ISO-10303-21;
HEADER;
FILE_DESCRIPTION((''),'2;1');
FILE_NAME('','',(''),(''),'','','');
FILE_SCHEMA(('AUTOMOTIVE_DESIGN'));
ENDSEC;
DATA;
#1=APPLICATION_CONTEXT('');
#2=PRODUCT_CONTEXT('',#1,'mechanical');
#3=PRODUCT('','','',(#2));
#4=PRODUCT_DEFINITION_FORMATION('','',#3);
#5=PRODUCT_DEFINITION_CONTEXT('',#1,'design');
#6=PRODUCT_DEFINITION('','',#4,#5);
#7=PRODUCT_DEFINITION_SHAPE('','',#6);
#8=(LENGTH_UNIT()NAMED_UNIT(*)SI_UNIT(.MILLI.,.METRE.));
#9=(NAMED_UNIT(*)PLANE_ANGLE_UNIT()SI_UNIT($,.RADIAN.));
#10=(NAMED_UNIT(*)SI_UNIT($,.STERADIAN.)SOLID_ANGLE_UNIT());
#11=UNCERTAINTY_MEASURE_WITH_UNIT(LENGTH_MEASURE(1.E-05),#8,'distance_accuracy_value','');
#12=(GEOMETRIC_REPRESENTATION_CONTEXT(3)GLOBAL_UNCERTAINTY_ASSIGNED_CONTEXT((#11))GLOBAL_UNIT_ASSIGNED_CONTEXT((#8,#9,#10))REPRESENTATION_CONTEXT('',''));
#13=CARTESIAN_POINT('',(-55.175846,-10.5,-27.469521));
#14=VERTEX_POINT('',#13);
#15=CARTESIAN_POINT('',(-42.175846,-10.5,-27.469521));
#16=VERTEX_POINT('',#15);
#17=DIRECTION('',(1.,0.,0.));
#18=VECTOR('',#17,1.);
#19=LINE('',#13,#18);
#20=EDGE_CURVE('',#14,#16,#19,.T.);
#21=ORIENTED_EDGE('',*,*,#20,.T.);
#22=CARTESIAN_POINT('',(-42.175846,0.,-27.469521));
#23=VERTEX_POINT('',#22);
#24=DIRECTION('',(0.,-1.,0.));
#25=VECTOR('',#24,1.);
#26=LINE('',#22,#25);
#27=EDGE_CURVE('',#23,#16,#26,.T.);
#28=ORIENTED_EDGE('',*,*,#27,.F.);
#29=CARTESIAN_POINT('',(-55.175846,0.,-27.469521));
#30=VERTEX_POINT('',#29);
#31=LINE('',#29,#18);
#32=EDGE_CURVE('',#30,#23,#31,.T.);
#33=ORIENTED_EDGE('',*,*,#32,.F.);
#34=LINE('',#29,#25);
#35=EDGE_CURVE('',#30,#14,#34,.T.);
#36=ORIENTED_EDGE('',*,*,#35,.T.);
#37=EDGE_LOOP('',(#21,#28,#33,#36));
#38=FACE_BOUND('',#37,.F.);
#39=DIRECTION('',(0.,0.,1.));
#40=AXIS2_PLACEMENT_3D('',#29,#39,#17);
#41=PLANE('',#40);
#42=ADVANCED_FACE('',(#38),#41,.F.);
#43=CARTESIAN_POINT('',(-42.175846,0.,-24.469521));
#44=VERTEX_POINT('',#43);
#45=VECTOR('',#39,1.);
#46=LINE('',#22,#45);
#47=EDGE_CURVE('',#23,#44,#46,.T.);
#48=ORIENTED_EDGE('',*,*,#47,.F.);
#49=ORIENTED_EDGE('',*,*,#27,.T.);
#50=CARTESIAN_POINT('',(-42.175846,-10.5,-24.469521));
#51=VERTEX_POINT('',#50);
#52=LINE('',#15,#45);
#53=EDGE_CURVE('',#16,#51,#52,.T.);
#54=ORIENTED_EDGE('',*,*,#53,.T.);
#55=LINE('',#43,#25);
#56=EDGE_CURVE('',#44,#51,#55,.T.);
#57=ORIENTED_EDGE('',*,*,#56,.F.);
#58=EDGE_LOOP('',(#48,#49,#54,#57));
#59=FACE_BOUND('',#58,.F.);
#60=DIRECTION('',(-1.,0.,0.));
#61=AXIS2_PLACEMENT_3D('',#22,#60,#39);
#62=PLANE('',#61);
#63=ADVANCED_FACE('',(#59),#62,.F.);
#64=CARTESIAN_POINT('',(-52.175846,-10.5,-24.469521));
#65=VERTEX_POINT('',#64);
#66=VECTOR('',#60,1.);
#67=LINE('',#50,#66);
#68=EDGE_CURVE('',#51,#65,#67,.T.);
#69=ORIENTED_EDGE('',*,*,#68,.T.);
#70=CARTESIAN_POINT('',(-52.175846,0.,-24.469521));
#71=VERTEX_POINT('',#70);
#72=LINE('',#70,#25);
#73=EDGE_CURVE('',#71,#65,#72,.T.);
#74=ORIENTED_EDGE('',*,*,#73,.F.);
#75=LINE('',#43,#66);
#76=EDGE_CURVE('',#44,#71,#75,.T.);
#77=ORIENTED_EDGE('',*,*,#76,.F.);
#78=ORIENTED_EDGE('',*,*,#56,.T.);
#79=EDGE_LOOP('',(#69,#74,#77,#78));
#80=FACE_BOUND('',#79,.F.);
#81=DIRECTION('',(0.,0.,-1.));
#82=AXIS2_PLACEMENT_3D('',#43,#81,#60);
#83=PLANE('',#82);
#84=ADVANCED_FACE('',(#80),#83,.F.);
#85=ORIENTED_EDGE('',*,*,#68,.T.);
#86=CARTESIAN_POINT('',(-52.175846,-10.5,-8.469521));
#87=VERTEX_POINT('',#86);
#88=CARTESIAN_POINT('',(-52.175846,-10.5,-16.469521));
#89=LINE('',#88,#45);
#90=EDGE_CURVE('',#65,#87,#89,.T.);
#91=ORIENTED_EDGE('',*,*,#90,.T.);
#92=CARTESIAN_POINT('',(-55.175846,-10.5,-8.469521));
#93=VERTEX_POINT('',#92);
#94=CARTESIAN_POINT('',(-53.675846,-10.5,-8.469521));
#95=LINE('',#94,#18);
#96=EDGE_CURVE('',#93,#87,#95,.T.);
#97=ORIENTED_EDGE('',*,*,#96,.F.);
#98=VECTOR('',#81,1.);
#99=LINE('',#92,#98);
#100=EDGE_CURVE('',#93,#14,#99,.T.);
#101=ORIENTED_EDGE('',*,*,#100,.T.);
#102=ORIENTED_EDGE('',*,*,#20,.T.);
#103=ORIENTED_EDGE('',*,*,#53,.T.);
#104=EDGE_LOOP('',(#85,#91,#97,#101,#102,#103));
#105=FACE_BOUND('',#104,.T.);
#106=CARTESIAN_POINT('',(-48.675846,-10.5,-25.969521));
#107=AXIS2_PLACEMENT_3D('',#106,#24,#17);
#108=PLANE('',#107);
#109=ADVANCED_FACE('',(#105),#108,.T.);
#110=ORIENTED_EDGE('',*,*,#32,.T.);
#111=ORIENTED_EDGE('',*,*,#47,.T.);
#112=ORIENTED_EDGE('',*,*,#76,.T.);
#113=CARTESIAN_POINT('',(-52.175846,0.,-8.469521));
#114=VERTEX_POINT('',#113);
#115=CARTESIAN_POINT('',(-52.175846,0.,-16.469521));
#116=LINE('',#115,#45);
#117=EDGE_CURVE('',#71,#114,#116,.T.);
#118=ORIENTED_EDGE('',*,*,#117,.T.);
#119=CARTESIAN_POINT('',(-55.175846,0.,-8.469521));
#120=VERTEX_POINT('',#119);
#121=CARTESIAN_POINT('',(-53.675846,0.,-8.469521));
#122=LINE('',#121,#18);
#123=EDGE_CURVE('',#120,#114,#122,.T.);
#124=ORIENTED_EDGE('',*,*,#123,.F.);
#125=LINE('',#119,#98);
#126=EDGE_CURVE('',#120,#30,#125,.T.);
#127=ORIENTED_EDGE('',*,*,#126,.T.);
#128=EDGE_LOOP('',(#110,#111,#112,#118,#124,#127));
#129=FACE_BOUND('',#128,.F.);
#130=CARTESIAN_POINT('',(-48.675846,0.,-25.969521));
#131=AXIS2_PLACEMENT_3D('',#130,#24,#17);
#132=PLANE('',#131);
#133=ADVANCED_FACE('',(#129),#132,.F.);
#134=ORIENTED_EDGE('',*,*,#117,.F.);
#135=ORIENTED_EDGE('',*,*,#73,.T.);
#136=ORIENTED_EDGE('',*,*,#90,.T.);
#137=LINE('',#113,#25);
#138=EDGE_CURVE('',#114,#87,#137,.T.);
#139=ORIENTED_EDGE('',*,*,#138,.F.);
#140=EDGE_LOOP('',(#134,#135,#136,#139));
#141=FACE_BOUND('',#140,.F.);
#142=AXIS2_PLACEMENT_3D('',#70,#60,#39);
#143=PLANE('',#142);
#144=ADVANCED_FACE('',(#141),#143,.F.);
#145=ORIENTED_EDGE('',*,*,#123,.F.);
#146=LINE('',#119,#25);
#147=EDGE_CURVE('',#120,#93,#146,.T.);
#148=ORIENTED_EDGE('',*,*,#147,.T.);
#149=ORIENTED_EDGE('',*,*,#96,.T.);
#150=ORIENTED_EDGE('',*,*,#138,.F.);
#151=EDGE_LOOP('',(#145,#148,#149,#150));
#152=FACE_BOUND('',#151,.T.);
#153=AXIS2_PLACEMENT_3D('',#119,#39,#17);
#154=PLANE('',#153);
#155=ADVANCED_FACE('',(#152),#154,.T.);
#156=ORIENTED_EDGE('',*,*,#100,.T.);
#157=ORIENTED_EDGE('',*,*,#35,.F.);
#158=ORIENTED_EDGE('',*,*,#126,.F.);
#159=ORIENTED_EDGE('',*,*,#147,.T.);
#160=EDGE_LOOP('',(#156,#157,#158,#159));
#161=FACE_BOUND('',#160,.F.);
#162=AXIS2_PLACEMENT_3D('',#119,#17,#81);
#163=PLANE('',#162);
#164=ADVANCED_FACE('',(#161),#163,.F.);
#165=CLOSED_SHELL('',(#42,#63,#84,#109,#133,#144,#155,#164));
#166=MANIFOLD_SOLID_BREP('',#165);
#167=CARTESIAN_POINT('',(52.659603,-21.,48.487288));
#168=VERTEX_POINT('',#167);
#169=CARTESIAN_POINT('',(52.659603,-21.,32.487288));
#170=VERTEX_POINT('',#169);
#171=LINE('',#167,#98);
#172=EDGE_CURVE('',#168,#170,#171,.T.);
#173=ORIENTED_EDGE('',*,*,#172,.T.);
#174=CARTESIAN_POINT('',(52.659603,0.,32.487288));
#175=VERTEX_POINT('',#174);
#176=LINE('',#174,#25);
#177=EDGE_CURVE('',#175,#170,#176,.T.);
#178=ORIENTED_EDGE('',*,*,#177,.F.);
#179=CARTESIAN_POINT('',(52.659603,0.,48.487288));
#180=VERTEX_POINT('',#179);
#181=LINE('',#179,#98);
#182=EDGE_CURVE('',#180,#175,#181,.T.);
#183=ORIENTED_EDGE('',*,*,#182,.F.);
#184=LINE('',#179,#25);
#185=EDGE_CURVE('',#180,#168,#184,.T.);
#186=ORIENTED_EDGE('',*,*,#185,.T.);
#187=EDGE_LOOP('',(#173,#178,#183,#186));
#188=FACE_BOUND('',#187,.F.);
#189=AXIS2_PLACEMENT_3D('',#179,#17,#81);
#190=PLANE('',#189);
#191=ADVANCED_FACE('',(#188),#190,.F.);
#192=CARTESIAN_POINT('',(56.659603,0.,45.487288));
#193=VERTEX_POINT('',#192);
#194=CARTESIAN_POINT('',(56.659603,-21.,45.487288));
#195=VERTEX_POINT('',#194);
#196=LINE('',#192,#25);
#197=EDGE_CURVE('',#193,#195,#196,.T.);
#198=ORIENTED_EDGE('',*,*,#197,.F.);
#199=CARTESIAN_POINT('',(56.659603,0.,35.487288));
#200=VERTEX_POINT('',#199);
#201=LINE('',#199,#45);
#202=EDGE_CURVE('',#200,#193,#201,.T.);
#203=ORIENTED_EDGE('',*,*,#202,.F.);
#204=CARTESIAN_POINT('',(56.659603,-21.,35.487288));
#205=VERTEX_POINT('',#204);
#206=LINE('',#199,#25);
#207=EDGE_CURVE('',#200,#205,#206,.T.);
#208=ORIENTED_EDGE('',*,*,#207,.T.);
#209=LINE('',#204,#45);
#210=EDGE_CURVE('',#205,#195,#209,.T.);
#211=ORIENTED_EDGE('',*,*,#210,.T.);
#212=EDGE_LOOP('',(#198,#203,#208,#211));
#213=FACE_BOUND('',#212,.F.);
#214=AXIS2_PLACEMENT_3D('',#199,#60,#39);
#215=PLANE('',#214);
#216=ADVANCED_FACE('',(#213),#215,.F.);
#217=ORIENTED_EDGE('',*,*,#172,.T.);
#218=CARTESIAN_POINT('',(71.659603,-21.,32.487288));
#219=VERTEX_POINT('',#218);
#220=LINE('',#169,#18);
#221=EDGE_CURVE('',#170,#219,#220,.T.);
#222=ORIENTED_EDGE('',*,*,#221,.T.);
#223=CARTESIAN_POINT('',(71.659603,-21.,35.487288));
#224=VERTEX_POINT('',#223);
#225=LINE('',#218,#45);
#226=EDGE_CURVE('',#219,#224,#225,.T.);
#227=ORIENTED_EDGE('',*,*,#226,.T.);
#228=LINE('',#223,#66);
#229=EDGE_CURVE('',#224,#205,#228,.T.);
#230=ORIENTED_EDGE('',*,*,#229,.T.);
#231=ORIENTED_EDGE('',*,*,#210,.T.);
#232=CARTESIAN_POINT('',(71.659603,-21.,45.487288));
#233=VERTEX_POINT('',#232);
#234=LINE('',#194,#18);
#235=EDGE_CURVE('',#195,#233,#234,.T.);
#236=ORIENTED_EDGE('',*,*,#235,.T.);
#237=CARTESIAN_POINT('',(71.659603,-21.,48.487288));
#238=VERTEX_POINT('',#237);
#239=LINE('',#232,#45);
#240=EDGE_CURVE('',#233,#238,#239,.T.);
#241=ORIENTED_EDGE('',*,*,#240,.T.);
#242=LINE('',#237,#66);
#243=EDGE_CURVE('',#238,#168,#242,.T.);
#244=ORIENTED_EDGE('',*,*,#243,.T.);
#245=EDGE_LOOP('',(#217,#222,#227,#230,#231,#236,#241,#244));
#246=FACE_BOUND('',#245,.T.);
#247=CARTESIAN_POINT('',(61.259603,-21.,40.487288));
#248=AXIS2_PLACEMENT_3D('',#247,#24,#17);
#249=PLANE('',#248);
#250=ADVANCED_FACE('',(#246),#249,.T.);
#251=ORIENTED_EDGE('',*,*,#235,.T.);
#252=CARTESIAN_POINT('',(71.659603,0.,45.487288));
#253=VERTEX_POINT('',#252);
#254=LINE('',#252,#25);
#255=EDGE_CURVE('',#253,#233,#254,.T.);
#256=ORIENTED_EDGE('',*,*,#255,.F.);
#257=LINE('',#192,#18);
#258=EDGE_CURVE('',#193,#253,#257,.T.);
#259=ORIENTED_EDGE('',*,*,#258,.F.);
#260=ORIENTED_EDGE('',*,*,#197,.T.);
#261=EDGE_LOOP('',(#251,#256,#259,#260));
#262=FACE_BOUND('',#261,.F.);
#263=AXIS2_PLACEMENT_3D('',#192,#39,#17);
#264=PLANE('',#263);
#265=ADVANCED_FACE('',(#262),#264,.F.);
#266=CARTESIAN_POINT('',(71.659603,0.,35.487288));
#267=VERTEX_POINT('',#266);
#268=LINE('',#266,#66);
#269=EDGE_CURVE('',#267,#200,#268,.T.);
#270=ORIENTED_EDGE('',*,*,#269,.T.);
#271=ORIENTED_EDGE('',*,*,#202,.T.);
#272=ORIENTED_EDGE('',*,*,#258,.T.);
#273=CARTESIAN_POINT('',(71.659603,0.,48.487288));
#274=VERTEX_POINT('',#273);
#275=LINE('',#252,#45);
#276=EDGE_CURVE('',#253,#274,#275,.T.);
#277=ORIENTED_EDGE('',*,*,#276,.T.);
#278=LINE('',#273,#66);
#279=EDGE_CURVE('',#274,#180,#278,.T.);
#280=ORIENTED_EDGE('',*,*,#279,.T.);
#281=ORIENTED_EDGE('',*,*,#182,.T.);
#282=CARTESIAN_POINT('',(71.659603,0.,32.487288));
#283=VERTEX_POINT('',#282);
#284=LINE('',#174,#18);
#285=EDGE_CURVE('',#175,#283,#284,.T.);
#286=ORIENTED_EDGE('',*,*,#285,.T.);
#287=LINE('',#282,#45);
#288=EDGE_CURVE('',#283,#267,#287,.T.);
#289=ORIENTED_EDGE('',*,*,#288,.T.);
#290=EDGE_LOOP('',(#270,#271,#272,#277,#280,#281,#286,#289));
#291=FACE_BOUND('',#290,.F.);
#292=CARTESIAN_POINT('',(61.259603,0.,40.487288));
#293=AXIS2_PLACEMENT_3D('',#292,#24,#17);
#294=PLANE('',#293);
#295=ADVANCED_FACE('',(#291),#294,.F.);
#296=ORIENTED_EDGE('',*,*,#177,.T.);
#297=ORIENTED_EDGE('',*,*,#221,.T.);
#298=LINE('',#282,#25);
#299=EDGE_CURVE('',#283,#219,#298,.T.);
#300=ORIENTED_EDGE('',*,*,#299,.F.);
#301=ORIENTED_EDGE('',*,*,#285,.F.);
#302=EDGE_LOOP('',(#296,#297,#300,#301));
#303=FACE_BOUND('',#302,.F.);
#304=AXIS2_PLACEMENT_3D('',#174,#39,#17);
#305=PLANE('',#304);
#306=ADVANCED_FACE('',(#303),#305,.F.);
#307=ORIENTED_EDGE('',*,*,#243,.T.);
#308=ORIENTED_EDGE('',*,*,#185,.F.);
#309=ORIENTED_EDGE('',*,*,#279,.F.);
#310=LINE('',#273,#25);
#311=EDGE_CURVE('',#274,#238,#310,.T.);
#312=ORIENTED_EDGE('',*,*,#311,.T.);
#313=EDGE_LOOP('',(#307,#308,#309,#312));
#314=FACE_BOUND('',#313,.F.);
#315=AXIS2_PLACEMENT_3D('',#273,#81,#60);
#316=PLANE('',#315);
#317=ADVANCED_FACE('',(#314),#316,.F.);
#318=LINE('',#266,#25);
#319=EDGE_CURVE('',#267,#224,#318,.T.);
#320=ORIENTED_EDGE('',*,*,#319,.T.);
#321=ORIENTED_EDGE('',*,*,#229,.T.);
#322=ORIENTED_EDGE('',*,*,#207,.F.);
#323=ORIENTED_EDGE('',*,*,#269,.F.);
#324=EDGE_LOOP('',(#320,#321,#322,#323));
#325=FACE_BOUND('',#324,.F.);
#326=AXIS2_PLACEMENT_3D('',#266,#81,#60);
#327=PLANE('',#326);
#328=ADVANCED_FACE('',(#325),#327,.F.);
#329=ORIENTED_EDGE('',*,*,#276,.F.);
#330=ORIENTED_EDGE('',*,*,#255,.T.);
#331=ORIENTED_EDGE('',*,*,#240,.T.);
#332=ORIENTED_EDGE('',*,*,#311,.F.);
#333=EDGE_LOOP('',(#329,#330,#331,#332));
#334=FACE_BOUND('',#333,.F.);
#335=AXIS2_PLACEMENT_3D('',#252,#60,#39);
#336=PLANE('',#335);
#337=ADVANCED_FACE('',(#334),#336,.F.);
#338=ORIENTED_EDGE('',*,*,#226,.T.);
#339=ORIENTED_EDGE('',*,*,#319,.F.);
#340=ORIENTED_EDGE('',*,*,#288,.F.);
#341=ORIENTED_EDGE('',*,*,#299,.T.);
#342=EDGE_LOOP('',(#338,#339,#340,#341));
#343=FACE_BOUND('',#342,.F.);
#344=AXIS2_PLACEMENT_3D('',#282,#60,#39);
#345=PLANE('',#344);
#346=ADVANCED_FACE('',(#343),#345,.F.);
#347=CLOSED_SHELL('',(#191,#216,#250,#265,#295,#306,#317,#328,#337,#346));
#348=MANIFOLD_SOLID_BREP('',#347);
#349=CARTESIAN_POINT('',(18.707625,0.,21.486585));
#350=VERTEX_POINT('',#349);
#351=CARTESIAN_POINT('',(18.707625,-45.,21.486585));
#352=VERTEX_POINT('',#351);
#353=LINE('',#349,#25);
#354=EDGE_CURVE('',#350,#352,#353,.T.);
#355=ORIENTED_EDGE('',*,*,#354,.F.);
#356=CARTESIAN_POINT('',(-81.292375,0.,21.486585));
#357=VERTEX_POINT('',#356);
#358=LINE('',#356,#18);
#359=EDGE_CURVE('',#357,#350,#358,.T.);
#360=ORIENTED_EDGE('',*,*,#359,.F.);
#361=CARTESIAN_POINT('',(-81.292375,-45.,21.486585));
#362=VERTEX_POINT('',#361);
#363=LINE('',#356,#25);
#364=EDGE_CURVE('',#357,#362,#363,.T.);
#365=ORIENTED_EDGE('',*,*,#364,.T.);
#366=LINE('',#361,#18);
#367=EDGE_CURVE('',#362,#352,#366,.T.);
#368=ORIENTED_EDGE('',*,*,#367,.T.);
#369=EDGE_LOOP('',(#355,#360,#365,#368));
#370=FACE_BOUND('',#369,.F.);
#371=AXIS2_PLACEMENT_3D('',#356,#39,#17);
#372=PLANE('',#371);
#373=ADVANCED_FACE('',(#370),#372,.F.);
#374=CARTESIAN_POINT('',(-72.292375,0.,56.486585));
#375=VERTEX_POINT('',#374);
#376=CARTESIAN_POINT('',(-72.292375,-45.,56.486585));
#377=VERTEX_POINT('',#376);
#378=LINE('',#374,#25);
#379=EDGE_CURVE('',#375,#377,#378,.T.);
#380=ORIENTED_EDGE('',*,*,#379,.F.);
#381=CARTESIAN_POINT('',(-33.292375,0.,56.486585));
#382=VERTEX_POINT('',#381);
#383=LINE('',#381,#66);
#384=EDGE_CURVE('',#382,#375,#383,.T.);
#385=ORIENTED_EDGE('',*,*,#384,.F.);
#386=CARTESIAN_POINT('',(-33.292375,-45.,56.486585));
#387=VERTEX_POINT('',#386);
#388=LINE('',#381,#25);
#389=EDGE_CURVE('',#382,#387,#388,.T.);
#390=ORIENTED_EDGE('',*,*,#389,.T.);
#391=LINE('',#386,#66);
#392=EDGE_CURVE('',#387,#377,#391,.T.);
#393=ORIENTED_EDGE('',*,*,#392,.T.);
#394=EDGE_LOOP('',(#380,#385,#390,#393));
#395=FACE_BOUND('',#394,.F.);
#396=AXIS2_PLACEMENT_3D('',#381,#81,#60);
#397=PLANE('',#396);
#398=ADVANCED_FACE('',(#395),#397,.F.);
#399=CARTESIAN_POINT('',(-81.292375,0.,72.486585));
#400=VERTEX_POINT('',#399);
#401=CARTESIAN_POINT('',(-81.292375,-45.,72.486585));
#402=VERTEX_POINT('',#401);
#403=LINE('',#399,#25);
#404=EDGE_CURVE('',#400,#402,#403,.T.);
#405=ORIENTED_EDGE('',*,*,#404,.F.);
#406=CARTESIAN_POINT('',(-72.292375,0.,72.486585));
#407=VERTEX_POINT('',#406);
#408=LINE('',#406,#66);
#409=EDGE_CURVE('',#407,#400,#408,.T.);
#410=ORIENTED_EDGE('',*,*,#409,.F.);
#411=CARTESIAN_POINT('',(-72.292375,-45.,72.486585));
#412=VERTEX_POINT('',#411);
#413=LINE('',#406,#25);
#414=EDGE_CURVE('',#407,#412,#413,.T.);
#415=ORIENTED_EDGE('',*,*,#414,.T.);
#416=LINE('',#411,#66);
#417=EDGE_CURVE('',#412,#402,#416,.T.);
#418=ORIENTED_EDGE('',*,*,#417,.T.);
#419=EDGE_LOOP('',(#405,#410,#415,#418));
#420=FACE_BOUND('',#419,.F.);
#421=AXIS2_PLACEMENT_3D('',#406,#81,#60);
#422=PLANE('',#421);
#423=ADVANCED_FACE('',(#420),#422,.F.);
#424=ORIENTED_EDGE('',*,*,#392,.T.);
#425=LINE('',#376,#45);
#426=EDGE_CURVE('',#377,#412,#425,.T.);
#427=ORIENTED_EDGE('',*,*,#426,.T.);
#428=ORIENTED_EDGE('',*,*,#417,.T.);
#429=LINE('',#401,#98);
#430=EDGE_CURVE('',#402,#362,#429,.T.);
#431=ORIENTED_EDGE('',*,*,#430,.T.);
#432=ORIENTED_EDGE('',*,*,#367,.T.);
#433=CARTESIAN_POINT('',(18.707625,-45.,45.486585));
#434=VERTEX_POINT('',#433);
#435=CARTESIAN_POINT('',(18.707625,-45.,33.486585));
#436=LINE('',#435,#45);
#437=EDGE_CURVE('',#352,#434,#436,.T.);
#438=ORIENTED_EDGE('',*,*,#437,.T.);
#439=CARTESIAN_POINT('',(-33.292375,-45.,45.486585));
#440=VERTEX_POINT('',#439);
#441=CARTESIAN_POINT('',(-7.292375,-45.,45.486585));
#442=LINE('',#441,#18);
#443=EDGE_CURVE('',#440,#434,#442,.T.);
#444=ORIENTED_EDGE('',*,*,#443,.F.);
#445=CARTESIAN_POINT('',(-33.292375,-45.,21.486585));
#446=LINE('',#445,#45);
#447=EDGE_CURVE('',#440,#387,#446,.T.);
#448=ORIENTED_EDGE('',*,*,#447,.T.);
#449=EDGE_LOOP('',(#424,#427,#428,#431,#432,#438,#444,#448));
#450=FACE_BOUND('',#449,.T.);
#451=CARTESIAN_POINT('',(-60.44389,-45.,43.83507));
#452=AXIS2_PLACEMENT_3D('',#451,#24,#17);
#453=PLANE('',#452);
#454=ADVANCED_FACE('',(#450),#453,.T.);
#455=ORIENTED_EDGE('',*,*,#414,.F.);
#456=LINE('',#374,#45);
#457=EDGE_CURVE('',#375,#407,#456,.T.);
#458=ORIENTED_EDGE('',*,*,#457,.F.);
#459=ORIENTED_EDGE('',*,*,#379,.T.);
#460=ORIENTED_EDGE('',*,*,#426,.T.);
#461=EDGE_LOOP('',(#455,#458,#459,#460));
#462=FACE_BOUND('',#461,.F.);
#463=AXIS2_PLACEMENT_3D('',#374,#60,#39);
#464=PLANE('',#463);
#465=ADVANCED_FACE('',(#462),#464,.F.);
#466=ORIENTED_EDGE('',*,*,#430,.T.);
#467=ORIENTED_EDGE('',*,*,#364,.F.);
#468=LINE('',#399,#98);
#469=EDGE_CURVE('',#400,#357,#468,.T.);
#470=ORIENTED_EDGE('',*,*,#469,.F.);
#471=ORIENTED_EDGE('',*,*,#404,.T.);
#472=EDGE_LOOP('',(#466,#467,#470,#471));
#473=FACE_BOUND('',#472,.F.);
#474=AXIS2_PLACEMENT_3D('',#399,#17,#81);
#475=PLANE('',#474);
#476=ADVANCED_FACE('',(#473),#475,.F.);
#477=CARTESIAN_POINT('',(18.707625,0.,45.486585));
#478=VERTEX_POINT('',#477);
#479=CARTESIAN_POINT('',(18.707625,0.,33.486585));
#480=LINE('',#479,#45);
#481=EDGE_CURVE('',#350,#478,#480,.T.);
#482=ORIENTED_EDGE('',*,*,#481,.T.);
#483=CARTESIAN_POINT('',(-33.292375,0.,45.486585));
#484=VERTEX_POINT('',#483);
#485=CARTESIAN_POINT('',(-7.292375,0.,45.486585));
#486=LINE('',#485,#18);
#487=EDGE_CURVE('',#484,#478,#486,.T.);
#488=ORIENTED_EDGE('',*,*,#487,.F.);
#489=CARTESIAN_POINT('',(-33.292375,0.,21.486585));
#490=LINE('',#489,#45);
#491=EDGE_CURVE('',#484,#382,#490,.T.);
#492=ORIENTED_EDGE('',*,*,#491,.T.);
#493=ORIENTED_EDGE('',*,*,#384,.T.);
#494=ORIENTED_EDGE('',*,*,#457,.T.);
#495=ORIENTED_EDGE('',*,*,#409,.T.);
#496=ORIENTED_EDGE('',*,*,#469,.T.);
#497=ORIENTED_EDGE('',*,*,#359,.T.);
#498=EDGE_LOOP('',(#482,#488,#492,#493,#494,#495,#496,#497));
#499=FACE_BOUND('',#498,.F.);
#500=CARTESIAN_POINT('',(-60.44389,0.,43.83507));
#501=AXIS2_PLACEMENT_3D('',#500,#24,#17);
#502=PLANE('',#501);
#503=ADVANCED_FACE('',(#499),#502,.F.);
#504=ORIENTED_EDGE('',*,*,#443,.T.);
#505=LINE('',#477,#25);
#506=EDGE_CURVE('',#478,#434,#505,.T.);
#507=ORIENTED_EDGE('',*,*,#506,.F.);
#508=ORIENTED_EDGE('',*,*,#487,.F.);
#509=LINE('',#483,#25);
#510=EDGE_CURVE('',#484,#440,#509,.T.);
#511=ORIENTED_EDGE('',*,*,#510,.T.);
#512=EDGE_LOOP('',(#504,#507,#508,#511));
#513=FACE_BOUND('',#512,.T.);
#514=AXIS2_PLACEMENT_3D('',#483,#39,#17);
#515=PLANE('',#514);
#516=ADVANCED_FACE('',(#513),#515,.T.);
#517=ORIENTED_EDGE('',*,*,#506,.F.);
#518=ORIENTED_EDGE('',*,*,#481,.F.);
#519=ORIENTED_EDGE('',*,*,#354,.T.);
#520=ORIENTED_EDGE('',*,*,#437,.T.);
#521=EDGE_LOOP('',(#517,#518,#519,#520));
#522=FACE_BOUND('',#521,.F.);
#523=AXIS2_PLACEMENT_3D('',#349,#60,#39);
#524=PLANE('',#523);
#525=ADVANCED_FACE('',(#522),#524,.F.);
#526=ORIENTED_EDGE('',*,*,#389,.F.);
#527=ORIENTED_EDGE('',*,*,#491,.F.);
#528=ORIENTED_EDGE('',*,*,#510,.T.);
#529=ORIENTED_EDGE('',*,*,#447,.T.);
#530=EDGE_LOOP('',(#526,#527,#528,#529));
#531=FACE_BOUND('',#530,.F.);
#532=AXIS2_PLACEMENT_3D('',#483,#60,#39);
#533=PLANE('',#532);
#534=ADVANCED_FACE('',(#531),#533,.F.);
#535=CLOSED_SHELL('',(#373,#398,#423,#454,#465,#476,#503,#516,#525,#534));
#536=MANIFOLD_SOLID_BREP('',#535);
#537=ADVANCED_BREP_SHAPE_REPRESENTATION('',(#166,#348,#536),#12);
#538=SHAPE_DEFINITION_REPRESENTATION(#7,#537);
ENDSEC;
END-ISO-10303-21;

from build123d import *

# Parameters (mm, degrees)
F0_W     = 52
F0_H     = 24
F1_DEPTH = 45
F3_DEPTH = 21
F4_W     = 3
F4_H     = 16
F5_DEPTH = 10.5


with BuildPart() as f1:
    # F0 (on Front) → F1 (new body)
    with BuildSketch(Plane.XZ):
        Polygon((-72.292375, 72.486585), (-81.292375, 72.486585), (-81.292375, 21.486585), (-33.292375, 21.486585), (-33.292375, 45.486585), (-33.292375, 56.486585), (-72.292375, 56.486585), align=None)
        with Locations((-7.292375, 33.486585)):
            Rectangle(F0_W, F0_H)
    extrude(amount=F1_DEPTH)


with BuildPart() as f3:
    # F2 (on Front) → F3 (new body)
    with BuildSketch(Plane.XZ):
        Polygon((71.659603, 48.487288), (52.659603, 48.487288), (52.659603, 32.487288), (71.659603, 32.487288), (71.659603, 35.487288), (56.659603, 35.487288), (56.659603, 45.487288), (71.659603, 45.487288), align=None)
    extrude(amount=F3_DEPTH)


with BuildPart() as f5:
    # F4 (on Front) → F5 (new body)
    with BuildSketch(Plane.XZ):
        Polygon((-52.175846, -24.469521), (-55.175846, -24.469521), (-55.175846, -27.469521), (-42.175846, -27.469521), (-42.175846, -24.469521), align=None)
        with Locations((-53.675846, -16.469521)):
            Rectangle(F4_W, F4_H)
    extrude(amount=F5_DEPTH)


solid = Compound([f1.part, f3.part, f5.part])
